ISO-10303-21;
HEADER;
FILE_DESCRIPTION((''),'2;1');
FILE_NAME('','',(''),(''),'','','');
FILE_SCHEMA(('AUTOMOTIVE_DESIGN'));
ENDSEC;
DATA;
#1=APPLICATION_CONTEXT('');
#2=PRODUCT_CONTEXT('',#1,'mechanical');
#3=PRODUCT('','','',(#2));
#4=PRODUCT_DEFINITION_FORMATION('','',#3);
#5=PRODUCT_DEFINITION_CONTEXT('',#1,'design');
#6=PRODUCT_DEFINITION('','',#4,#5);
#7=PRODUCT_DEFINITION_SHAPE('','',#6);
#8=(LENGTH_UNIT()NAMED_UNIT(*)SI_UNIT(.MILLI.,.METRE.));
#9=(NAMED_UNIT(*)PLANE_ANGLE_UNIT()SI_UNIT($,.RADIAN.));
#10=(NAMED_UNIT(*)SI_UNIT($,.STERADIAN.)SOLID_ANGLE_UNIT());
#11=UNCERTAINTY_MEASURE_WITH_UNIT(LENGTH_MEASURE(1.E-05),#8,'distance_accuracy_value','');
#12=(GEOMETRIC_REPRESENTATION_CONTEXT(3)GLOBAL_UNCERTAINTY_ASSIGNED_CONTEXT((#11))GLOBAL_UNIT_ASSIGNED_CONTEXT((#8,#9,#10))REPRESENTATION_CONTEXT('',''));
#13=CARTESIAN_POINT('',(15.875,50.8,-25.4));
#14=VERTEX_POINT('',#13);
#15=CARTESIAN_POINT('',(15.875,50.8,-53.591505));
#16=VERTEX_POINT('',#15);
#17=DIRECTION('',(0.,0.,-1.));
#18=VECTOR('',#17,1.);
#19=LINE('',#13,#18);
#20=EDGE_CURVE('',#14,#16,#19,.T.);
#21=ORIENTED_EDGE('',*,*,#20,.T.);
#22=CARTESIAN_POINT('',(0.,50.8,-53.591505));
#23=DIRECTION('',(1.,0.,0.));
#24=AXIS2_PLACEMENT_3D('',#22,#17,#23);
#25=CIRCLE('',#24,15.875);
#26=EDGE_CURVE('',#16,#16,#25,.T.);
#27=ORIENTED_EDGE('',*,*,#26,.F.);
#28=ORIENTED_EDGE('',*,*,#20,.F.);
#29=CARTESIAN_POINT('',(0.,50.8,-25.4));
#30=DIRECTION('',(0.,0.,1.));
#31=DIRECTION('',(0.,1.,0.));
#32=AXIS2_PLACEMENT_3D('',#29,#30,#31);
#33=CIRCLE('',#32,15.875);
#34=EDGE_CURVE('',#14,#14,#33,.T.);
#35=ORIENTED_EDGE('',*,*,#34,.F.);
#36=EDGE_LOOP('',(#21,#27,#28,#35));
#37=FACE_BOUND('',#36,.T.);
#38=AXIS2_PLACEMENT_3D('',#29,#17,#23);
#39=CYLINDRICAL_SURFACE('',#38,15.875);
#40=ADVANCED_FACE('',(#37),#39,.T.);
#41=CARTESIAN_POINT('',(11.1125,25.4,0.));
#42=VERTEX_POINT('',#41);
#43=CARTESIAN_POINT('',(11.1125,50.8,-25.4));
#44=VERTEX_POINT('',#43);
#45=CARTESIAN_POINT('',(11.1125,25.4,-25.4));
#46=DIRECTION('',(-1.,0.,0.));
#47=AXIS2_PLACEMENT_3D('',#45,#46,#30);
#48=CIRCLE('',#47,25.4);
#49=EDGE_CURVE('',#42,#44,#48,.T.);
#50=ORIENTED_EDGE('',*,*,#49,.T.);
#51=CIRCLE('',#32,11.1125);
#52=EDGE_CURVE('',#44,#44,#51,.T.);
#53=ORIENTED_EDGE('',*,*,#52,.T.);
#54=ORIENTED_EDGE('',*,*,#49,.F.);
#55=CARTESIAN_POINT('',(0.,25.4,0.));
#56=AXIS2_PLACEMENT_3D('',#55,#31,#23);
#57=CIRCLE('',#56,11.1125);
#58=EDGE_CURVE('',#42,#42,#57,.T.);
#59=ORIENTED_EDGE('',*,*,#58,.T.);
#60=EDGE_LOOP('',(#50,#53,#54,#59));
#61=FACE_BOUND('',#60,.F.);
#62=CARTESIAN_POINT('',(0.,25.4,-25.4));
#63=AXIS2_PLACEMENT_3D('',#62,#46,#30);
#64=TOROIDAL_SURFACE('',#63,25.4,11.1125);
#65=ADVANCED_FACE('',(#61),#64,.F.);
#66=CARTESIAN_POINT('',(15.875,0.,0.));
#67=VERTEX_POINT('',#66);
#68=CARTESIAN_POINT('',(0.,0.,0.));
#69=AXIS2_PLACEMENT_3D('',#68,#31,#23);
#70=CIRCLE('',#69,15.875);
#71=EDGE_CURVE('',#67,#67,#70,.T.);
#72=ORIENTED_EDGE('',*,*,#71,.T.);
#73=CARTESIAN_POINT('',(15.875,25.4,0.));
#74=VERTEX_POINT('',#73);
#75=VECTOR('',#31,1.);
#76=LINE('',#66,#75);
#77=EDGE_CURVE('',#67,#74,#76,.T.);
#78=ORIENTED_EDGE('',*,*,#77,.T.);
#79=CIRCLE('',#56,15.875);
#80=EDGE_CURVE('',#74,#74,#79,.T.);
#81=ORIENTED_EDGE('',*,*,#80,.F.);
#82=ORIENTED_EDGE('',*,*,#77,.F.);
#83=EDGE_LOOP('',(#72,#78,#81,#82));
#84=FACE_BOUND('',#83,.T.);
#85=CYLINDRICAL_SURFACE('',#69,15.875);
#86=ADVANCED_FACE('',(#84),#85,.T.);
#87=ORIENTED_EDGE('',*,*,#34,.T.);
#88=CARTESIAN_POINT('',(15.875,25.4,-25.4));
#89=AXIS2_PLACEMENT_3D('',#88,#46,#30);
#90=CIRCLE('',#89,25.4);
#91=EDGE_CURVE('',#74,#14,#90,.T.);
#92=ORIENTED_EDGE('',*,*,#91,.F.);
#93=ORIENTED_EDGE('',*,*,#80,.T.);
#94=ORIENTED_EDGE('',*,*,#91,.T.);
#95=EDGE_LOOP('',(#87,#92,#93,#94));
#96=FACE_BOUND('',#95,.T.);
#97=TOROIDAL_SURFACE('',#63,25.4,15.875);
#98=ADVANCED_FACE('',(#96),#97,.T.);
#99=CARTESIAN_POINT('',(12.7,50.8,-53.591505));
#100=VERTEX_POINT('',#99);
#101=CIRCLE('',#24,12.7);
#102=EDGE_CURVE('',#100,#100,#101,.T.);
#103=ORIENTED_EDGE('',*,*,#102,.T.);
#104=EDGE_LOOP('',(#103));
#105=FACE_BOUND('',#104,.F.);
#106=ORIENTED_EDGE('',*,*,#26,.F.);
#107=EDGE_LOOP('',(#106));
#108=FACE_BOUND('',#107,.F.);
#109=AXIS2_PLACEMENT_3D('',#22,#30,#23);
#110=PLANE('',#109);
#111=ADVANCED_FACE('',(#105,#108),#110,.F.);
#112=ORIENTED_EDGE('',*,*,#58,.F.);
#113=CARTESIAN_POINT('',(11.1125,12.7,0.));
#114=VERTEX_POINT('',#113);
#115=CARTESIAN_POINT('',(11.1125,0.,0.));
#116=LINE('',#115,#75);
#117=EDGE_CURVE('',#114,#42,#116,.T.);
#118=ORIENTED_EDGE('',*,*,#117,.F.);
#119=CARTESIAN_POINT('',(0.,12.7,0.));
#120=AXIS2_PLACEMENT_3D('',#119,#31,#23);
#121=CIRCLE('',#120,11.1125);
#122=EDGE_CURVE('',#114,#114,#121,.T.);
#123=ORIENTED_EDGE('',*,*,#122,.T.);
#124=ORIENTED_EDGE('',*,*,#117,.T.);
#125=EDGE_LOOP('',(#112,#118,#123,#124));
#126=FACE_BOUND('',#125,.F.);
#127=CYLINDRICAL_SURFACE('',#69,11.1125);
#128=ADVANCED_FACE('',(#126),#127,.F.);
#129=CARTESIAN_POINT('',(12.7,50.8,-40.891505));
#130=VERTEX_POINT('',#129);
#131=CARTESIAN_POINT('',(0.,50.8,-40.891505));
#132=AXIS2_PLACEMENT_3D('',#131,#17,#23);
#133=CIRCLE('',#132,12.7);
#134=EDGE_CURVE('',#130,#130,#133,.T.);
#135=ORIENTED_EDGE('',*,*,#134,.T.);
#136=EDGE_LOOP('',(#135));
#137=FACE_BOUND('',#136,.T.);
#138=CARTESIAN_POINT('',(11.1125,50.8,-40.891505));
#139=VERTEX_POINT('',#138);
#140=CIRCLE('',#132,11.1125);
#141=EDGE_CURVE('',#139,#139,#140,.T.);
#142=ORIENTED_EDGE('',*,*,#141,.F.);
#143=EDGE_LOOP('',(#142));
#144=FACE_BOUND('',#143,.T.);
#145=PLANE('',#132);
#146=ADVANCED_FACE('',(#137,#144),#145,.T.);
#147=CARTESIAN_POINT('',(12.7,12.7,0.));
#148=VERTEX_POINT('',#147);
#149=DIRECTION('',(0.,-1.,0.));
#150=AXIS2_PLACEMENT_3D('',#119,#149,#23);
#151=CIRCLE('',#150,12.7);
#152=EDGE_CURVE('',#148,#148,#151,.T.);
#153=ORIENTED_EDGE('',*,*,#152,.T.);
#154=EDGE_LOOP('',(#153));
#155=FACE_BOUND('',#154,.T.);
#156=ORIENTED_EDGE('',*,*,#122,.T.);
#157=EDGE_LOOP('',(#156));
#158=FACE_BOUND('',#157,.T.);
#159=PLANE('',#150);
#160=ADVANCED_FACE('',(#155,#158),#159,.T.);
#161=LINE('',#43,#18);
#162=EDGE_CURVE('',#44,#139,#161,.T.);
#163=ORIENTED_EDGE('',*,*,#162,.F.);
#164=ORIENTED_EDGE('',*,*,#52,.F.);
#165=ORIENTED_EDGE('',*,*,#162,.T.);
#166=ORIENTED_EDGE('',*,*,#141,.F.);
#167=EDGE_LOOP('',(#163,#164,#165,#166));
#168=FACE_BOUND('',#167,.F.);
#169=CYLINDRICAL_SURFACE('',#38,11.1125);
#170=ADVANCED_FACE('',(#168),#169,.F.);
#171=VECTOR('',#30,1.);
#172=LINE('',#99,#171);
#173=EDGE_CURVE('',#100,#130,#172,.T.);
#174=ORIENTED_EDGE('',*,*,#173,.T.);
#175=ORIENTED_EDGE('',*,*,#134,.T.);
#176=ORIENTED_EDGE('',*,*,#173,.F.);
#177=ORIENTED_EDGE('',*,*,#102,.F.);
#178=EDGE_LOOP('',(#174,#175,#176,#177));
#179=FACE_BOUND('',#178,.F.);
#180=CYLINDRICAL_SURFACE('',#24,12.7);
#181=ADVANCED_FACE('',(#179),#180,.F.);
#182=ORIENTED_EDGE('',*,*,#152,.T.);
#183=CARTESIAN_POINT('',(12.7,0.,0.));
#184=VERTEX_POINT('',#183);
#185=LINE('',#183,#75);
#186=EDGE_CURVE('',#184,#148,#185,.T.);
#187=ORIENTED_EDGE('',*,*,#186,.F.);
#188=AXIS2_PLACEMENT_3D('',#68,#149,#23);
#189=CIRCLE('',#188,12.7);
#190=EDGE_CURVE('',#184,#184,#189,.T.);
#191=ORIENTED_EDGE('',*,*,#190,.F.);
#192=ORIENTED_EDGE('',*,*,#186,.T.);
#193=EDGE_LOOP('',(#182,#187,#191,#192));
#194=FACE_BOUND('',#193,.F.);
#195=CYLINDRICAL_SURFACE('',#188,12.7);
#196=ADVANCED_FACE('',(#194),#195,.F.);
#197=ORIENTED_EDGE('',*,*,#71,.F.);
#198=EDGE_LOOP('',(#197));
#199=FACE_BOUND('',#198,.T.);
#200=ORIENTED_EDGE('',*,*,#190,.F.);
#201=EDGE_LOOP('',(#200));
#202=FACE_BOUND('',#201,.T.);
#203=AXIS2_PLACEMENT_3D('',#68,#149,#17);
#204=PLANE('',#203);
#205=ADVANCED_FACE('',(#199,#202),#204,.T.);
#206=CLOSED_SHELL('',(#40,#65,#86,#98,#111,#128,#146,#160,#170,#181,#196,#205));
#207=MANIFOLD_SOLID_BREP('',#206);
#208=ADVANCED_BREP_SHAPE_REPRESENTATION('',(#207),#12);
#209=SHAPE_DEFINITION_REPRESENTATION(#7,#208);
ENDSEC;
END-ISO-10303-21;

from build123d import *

# Parameters (mm, degrees)
F0_R     = 15.875
F0_R_2   = 11.1125
F3_R     = 12.7
F4_DEPTH = 12.7
F5_R     = 12.7
F6_DEPTH = 12.7


with BuildPart() as f2:
    # F2: sweep along a path in F1
    with BuildLine(Plane.YZ) as f2_path:
        Line((0, 0), (25.4, 0))
        ThreePointArc((25.4, 0), (43.3605122421, -7.4394877579), (50.8, -25.4))
        Line((50.8, -25.4), (50.8, -53.591504693))
    # F0 (on Front) → F2 (sweep)
    with BuildSketch(Plane.XZ):
        Circle(F0_R)
        Circle(F0_R_2, mode=Mode.SUBTRACT)
    sweep(path=f2_path.line)

    # F3 (on Front) → F4 (cut)
    with BuildSketch(Plane.XZ):
        Circle(F3_R)
    extrude(amount=-F4_DEPTH, mode=Mode.SUBTRACT)

    # F5 (on face) → F6 (cut)
    with BuildSketch(Plane(origin=(0, 0, -53.591504693), x_dir=(1, 0, 0), z_dir=(0, 0, -1))):
        with Locations((0, -50.8)):
            Circle(F5_R)
    extrude(amount=-F6_DEPTH, mode=Mode.SUBTRACT)


solid = f2.part
